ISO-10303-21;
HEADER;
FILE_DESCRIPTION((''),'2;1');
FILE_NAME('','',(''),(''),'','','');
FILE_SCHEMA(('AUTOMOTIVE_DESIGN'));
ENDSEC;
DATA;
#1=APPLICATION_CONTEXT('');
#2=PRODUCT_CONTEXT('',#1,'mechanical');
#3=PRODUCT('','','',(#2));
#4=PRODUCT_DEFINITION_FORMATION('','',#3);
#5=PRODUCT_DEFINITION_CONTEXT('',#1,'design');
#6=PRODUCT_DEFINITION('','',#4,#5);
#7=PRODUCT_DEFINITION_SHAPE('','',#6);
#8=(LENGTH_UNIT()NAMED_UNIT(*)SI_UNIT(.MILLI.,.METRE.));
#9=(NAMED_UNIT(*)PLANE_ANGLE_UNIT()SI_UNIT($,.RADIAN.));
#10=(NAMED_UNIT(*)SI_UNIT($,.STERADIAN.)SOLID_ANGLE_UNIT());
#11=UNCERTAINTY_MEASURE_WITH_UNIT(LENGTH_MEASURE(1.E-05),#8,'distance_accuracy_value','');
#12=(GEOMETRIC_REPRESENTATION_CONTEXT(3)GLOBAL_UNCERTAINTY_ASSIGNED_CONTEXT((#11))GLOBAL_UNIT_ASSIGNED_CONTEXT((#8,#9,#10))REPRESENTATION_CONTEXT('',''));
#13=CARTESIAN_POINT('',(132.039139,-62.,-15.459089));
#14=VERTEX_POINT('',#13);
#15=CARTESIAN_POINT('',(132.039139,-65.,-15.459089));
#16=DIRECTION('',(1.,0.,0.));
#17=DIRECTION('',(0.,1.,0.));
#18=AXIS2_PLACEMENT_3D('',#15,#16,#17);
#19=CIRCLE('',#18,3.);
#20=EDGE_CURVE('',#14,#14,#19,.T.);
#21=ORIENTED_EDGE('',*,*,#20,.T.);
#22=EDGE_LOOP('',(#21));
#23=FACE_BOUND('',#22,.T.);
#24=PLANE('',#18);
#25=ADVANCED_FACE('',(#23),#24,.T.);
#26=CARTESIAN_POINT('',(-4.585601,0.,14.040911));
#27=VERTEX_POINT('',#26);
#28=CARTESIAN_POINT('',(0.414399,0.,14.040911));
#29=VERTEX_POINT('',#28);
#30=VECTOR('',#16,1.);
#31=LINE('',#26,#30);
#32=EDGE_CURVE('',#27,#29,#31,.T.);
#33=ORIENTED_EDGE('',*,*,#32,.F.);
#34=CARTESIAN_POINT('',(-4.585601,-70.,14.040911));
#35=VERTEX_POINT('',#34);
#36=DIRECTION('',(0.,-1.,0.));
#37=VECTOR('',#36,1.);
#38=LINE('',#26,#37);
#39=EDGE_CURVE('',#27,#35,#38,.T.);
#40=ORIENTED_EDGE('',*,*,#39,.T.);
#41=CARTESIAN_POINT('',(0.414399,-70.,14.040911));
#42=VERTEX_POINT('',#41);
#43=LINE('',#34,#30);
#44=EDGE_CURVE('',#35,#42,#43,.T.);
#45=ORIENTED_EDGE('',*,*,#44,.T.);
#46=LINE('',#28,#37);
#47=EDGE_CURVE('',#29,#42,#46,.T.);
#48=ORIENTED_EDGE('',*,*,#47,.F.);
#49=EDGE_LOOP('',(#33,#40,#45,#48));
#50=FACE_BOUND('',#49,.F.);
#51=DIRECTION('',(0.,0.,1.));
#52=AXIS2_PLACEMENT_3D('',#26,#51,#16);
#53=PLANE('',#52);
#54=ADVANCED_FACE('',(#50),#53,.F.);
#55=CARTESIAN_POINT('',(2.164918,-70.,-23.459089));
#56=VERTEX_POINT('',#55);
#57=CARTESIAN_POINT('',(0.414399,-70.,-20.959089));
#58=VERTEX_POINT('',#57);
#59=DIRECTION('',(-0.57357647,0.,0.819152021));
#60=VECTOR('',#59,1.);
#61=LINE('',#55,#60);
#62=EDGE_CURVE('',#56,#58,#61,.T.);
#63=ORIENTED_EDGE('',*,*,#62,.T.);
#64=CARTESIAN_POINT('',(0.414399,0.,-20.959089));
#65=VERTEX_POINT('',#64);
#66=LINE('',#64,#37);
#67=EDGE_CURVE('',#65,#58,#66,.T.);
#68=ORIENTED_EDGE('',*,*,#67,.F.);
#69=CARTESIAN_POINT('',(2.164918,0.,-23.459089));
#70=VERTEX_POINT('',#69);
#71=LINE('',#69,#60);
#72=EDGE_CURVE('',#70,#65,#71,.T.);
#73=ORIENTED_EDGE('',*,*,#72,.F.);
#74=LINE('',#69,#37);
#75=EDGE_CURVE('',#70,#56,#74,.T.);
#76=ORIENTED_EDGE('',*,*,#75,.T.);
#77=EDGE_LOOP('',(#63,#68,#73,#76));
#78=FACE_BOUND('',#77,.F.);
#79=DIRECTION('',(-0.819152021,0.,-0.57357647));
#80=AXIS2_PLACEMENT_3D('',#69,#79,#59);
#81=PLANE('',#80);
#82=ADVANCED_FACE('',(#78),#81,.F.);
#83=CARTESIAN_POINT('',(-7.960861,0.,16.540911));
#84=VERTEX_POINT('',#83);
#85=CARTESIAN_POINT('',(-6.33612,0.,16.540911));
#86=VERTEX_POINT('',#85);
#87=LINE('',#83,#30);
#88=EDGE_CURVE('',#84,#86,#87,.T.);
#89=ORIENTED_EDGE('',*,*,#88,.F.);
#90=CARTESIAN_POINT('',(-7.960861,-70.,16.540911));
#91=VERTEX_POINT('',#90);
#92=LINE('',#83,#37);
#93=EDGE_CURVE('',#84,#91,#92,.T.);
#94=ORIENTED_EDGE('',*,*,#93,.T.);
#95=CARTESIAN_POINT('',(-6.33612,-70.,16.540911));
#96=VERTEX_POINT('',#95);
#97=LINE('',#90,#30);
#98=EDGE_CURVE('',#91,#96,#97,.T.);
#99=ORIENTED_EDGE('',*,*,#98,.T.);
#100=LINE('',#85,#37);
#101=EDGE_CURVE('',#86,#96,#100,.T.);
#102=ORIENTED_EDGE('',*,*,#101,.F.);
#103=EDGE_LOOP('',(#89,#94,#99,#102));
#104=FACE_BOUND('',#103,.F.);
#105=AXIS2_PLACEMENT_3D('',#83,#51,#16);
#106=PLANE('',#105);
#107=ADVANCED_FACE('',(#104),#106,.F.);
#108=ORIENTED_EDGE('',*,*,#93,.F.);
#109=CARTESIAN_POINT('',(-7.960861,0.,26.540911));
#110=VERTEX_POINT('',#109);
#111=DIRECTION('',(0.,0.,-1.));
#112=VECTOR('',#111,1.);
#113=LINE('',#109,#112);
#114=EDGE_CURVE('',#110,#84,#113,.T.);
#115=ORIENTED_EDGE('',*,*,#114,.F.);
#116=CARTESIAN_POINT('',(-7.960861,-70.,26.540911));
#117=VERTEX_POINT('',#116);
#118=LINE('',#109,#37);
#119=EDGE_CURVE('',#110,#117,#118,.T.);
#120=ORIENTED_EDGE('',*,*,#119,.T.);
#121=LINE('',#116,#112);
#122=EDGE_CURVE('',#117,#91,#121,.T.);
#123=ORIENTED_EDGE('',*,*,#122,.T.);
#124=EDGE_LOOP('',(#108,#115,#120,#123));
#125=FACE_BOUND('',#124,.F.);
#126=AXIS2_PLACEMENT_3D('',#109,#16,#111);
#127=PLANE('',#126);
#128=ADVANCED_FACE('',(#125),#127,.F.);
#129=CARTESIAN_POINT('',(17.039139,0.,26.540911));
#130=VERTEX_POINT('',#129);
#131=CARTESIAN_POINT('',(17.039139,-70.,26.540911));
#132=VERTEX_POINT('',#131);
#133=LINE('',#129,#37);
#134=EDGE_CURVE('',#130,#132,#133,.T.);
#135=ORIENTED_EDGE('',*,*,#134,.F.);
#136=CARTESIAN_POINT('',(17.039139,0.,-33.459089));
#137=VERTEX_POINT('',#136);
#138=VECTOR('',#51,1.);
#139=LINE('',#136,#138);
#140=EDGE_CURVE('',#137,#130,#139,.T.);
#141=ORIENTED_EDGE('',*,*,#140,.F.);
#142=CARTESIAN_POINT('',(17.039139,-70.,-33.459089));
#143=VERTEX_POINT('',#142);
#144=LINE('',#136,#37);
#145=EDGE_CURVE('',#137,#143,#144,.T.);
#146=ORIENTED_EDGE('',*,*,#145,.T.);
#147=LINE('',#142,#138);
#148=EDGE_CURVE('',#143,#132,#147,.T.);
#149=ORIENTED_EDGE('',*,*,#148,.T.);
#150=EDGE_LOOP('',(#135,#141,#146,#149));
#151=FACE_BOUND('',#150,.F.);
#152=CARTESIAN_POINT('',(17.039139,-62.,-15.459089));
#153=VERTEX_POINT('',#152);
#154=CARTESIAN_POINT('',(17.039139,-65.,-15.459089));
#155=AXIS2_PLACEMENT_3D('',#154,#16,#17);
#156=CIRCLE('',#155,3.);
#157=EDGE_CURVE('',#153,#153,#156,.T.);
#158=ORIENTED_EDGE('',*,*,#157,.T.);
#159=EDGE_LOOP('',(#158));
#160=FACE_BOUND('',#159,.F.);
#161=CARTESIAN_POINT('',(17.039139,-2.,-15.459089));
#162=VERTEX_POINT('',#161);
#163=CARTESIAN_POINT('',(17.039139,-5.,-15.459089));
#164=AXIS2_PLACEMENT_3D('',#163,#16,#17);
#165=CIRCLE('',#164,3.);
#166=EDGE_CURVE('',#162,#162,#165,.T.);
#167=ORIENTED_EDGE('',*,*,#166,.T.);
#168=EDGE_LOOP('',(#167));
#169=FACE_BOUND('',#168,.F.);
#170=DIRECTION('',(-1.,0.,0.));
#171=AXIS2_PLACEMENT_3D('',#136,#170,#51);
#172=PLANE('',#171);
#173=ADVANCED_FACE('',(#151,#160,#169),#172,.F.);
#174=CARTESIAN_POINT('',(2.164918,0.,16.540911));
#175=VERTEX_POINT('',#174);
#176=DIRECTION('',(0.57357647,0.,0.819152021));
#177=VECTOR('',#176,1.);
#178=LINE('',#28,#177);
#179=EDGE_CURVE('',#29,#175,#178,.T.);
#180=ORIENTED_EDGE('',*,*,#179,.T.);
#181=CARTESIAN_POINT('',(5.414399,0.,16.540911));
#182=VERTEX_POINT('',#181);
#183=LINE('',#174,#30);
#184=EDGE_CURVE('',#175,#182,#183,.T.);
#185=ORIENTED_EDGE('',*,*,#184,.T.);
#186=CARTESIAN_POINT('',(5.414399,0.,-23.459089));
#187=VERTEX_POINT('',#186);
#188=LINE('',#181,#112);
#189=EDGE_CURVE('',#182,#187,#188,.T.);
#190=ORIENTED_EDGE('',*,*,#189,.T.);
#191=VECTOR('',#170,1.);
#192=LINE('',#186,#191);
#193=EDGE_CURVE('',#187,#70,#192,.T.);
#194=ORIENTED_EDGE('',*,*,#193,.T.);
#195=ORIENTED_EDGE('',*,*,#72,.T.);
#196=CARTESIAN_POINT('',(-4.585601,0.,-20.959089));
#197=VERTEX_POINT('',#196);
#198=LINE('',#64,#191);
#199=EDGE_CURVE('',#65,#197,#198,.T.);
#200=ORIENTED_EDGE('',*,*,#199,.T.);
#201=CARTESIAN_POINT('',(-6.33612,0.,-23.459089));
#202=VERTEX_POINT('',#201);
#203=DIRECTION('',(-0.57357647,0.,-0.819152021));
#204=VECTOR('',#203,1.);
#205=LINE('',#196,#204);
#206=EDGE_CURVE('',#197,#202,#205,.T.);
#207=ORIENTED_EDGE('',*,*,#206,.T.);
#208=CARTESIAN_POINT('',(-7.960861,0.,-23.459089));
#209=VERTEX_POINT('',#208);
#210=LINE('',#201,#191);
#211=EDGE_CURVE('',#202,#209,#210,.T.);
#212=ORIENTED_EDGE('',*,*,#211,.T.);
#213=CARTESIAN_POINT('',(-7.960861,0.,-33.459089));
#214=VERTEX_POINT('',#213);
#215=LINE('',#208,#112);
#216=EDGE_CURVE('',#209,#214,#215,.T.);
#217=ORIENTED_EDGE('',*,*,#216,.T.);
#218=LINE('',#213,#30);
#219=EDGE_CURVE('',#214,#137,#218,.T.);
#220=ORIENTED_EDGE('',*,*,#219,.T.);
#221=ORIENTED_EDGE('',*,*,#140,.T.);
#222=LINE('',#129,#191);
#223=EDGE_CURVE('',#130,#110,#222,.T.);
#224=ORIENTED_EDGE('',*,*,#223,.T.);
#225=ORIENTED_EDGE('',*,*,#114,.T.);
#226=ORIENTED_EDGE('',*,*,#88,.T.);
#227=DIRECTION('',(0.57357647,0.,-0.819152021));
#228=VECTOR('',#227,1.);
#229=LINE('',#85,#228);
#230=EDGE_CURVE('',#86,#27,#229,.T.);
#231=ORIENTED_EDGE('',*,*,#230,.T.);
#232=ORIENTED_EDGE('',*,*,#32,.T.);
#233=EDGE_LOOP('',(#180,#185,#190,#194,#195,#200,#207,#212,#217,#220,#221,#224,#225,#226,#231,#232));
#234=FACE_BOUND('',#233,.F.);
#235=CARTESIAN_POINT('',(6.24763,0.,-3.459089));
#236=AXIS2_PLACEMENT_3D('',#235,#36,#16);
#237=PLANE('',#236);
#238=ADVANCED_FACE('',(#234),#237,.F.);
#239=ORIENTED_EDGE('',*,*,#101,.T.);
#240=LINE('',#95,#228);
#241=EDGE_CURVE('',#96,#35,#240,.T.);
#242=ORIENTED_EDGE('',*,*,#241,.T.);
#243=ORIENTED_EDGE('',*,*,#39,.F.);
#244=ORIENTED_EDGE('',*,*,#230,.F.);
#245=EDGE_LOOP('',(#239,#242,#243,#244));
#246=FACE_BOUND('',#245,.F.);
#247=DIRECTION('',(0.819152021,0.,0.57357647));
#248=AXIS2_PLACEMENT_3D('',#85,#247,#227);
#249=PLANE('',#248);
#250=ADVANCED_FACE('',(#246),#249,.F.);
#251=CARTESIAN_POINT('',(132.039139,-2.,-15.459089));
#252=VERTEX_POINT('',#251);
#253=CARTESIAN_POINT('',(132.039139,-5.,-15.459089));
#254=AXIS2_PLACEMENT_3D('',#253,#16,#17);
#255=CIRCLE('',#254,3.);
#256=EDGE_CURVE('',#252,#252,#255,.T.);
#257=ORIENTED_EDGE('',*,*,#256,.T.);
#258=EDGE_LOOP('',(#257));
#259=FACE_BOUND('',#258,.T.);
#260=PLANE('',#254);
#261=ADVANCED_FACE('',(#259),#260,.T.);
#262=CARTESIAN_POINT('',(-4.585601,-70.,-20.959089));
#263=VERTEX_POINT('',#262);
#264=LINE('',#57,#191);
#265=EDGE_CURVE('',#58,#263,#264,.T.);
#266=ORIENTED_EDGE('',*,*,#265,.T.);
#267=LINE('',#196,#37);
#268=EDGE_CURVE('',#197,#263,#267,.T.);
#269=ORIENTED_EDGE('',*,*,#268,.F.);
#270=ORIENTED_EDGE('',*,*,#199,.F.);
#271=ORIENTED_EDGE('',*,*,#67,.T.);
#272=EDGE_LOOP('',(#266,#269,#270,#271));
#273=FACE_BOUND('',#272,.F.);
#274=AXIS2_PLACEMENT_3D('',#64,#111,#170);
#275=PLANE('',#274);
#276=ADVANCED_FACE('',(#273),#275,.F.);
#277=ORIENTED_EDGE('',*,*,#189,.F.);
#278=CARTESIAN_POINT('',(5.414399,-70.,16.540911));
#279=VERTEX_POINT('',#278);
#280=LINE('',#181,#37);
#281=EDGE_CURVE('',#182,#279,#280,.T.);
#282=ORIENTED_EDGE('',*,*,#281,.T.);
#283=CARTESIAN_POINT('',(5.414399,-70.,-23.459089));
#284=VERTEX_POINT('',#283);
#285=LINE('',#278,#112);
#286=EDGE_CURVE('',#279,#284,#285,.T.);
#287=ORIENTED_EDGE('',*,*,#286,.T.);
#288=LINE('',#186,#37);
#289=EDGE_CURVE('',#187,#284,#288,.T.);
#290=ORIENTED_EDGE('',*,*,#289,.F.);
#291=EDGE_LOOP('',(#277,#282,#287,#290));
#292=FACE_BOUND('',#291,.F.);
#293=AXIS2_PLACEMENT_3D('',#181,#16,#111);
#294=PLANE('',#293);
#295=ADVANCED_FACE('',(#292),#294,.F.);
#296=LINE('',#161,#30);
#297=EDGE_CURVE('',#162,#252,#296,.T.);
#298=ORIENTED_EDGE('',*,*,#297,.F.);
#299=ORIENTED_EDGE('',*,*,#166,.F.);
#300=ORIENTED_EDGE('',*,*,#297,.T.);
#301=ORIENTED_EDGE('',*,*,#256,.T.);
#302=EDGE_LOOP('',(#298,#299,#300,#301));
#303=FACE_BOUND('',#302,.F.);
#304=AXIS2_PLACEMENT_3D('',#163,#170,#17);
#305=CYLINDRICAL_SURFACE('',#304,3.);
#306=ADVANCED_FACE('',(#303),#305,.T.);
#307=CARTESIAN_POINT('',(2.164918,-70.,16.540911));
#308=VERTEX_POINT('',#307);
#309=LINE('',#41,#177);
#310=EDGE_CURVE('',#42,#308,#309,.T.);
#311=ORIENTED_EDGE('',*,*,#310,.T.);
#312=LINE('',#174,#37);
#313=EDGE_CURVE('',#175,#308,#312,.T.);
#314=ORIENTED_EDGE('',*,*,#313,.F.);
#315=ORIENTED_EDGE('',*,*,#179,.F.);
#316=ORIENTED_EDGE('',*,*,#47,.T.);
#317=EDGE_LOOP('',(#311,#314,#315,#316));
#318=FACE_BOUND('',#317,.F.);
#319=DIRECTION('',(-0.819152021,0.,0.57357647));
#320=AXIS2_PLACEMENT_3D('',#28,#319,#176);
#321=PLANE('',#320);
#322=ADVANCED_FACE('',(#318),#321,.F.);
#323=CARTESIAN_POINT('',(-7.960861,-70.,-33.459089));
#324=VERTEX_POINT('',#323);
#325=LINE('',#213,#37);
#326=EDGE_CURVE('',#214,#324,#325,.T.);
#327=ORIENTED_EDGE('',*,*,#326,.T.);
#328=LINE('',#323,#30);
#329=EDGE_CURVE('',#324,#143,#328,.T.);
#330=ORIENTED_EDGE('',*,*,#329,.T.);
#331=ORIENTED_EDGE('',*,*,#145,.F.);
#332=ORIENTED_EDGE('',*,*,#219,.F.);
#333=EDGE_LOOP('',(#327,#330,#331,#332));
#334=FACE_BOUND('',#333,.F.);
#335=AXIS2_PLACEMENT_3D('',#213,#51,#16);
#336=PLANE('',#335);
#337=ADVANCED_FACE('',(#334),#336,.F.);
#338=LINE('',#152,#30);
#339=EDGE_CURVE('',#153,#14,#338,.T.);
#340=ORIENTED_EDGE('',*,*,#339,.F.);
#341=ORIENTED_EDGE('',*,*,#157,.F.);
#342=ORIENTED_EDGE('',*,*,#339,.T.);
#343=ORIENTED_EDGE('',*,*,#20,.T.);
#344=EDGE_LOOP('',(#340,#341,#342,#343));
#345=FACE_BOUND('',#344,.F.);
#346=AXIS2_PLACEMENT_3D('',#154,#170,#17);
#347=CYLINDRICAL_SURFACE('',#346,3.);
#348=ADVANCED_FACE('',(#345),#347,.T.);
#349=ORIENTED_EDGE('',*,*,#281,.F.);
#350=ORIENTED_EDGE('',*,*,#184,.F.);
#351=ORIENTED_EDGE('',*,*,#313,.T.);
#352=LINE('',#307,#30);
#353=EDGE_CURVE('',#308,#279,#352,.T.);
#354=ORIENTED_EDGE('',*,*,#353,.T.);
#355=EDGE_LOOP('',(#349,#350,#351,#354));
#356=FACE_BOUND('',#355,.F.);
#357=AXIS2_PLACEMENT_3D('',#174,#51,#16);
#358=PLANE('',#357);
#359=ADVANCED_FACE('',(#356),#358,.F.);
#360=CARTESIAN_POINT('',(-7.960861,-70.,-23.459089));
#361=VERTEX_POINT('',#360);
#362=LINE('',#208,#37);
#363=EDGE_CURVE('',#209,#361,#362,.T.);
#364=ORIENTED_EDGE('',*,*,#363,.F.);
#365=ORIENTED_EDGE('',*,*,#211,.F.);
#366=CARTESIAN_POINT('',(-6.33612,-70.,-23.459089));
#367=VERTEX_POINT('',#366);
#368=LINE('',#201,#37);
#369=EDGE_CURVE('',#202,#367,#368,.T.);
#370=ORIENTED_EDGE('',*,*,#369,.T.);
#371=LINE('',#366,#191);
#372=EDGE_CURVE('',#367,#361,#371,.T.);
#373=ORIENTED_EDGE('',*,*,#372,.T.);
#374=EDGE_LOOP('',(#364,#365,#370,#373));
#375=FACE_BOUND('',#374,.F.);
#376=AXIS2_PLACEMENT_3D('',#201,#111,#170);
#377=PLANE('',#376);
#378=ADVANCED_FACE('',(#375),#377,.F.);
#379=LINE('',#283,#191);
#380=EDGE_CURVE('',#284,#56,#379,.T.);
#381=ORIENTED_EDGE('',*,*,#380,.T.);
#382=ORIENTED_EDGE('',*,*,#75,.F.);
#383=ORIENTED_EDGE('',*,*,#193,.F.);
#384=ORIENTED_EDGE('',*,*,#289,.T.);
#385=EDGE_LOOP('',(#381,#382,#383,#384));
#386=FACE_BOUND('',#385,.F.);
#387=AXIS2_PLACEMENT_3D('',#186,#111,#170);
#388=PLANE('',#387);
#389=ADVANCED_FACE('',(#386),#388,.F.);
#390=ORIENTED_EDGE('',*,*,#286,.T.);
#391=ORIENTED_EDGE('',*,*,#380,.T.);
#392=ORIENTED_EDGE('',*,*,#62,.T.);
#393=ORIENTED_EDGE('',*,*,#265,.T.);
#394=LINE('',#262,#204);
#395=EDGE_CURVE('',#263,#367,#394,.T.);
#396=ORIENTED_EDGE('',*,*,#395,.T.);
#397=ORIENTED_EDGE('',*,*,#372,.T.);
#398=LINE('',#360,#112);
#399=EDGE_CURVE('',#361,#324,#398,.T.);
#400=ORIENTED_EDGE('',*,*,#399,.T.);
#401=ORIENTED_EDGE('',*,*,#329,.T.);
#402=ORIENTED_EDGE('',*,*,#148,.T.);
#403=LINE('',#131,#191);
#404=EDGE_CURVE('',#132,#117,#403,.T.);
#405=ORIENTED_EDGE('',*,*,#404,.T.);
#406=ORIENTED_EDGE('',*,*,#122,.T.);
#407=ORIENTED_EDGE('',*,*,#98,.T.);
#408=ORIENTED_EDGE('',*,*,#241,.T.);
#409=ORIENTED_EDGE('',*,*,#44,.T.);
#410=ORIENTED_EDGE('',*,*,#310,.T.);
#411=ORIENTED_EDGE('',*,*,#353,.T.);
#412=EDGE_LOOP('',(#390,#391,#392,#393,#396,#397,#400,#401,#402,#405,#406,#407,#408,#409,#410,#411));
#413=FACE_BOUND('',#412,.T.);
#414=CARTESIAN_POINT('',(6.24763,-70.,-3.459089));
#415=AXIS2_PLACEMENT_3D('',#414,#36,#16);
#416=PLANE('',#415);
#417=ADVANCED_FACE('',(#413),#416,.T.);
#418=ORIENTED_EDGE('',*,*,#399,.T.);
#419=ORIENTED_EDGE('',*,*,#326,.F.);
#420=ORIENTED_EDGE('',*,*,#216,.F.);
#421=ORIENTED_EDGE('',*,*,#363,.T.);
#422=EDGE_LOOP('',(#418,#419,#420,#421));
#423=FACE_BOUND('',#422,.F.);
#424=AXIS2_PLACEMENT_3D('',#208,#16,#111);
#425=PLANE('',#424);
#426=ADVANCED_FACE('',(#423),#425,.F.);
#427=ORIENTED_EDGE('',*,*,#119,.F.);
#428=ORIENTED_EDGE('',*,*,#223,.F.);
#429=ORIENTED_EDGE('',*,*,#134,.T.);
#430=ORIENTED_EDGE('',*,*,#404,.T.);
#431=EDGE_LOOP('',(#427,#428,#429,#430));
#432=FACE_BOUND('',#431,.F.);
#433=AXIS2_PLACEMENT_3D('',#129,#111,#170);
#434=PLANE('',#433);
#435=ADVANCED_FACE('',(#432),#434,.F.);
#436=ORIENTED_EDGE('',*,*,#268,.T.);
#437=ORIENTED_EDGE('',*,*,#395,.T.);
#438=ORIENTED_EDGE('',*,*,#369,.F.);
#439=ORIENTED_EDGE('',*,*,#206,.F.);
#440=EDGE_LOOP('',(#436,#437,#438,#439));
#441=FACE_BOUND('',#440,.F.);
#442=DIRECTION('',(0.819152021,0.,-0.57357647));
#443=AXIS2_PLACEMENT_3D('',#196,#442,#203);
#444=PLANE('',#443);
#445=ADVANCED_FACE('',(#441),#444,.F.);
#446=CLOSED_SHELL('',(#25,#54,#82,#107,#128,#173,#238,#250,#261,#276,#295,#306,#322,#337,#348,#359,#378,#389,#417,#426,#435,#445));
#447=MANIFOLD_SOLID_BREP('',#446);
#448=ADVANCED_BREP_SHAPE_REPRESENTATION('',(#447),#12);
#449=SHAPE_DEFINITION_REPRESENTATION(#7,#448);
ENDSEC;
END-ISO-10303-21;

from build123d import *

# Parameters (mm, degrees)
F1_DEPTH = 70
F2_R     = 3
F3_DEPTH = 115


with BuildPart() as f1:
    # F0 (on Front) → F1 (new body)
    with BuildSketch(Plane.XZ):
        Polygon((-7.960861, 26.540911), (-7.960861, 16.540911), (-6.33612, 16.540911), (-4.585601, 14.040911), (0.414399, 14.040911), (2.164918, 16.540911), (5.414399, 16.540911), (5.414399, -23.459089), (2.164918, -23.459089), (0.414399, -20.959089), (-4.585601, -20.959089), (-6.33612, -23.459089), (-7.960861, -23.459089), (-7.960861, -33.459089), (17.039139, -33.459089), (17.039139, 26.540911), align=None)
    extrude(amount=F1_DEPTH)

    # F2 (on face) → F3 (join)
    with BuildSketch(Plane.YZ.offset(17.039139)):
        with Locations((-65, -15.459089)):
            Circle(F2_R)
        with Locations((-5, -15.459089)):
            Circle(F2_R)
    extrude(amount=F3_DEPTH)


solid = f1.part
